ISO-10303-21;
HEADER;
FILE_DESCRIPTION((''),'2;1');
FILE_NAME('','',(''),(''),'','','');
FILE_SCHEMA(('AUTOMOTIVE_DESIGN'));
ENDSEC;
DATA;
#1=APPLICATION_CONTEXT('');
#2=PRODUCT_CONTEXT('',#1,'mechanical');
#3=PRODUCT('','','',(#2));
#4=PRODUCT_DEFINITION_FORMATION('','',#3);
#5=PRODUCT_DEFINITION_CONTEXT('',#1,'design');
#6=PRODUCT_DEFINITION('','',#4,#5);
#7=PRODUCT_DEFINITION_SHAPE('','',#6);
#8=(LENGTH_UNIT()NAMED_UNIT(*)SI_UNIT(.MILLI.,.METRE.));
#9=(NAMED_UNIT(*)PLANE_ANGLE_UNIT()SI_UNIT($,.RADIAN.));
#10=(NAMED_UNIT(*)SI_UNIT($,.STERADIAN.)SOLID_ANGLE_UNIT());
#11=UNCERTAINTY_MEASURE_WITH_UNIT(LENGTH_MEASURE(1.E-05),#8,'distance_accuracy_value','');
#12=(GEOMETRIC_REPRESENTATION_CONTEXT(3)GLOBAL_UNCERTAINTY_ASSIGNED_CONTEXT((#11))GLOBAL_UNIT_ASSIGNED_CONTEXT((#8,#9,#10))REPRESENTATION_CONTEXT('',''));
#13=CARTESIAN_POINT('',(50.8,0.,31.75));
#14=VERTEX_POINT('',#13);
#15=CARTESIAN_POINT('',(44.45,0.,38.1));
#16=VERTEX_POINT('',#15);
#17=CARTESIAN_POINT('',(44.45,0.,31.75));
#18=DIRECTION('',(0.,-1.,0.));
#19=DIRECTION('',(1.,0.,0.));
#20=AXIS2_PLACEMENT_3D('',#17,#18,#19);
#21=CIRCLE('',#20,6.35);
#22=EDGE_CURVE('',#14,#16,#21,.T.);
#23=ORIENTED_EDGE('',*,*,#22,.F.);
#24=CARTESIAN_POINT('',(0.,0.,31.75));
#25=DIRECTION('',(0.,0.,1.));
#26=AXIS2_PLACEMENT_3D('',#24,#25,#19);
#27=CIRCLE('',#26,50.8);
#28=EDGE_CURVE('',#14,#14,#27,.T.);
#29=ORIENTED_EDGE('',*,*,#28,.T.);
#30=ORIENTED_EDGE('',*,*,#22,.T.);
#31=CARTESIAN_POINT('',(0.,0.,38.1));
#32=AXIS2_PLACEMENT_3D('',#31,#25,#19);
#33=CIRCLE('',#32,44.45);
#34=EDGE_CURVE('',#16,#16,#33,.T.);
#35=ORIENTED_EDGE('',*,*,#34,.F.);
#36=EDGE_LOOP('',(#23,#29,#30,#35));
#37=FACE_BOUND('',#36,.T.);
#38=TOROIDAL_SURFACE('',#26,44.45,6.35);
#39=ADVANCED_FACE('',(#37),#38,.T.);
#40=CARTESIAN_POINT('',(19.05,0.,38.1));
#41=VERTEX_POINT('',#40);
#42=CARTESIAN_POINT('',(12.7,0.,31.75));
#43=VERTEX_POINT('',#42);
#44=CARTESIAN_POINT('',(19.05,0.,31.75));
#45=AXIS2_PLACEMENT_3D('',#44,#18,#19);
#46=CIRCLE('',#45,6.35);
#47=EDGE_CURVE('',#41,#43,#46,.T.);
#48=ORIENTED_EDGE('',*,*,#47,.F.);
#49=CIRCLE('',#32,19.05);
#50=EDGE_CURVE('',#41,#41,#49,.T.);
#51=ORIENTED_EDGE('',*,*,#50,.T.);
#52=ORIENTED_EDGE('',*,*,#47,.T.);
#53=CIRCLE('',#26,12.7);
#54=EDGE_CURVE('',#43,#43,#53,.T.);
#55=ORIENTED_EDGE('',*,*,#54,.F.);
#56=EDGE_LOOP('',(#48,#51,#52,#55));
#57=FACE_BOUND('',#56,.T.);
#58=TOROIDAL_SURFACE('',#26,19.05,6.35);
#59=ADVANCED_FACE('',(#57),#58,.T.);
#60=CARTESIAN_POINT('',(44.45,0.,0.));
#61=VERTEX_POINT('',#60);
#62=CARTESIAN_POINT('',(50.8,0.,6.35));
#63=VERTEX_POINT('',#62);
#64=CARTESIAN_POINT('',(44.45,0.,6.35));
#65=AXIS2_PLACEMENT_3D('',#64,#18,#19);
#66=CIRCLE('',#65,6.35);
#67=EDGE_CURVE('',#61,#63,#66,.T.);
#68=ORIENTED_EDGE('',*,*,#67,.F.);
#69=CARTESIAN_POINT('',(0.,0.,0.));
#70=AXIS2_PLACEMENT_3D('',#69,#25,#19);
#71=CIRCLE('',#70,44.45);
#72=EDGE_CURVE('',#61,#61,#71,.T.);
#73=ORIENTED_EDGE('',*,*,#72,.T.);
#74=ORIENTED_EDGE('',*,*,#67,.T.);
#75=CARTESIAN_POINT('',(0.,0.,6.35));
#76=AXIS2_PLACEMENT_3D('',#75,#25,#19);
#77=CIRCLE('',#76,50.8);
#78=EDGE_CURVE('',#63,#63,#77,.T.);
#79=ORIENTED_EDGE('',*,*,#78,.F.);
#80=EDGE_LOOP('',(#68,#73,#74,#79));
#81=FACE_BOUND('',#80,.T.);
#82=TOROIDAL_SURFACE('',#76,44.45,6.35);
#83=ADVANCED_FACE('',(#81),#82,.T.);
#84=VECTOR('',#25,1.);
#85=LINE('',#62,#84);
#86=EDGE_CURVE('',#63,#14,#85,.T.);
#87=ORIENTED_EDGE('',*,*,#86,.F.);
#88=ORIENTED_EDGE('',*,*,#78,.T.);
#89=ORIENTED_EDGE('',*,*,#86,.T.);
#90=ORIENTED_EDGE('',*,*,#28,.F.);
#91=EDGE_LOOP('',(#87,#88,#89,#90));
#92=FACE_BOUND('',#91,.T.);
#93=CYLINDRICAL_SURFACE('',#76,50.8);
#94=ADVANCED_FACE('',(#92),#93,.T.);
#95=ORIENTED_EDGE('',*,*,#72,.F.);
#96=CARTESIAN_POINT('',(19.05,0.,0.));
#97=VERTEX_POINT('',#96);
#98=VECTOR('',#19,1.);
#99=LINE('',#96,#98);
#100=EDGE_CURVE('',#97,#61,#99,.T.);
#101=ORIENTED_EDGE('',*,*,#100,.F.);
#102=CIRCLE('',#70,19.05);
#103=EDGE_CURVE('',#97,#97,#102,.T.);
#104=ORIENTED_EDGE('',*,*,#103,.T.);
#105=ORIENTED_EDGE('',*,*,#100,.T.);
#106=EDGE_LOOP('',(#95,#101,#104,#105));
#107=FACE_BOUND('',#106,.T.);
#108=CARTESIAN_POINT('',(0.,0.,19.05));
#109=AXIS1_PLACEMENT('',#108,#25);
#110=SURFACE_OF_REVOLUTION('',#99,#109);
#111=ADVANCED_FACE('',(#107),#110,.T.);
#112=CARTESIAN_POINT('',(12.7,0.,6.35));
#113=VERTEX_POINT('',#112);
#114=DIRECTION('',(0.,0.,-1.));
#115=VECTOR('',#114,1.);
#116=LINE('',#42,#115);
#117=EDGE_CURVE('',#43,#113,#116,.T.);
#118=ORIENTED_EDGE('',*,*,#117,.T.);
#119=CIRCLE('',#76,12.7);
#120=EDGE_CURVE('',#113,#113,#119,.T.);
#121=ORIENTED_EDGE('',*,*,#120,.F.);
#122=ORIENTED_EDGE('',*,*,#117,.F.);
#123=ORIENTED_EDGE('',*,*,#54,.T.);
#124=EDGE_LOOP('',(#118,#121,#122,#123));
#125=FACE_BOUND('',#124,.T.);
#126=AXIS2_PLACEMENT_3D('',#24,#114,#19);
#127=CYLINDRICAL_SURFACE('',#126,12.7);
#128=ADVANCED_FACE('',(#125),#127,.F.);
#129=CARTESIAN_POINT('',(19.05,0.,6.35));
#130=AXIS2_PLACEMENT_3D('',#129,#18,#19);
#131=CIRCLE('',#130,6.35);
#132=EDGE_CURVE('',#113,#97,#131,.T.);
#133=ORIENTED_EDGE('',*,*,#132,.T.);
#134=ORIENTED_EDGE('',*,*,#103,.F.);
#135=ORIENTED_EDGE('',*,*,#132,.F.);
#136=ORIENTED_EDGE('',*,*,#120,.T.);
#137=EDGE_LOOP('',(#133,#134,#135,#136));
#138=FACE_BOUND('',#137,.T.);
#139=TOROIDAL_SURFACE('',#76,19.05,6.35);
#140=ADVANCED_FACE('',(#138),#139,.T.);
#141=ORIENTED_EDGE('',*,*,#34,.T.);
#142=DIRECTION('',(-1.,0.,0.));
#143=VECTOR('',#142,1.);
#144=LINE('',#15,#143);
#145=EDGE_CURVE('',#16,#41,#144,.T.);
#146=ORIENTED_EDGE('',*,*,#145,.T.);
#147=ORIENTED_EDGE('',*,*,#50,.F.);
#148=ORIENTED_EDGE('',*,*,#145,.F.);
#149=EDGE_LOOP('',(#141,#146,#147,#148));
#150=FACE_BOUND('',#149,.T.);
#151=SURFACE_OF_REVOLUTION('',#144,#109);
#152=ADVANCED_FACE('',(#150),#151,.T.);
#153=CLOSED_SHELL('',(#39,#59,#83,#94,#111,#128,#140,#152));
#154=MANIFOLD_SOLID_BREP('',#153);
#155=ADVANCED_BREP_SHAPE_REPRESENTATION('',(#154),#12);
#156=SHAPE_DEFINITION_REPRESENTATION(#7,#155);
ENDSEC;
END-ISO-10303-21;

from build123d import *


with BuildPart() as f3:
    # F3: sweep along a path in F2
    with BuildLine(Plane.XY.offset(19.05)) as f3_path:
        CenterArc((0, 0), 25.4, 0, 360)
    # F0 (on Front) → F3 (sweep)
    with BuildSketch(Plane.XZ):
        with BuildLine():
            ThreePointArc((12.7, 6.35), (14.5598719395, 1.8598719395), (19.05, 0))
            Line((19.05, 0), (44.45, 0))
            ThreePointArc((44.45, 0), (48.9401280605, 1.8598719395), (50.8, 6.35))
            Line((50.8, 6.35), (50.8, 31.75))
            ThreePointArc((50.8, 31.75), (48.9401280605, 36.2401280605), (44.45, 38.1))
            Line((44.45, 38.1), (19.05, 38.1))
            ThreePointArc((19.05, 38.1), (14.5598719395, 36.2401280605), (12.7, 31.75))
            Line((12.7, 31.75), (12.7, 6.35))
        make_face()
    sweep(path=f3_path.line)


solid = f3.part
